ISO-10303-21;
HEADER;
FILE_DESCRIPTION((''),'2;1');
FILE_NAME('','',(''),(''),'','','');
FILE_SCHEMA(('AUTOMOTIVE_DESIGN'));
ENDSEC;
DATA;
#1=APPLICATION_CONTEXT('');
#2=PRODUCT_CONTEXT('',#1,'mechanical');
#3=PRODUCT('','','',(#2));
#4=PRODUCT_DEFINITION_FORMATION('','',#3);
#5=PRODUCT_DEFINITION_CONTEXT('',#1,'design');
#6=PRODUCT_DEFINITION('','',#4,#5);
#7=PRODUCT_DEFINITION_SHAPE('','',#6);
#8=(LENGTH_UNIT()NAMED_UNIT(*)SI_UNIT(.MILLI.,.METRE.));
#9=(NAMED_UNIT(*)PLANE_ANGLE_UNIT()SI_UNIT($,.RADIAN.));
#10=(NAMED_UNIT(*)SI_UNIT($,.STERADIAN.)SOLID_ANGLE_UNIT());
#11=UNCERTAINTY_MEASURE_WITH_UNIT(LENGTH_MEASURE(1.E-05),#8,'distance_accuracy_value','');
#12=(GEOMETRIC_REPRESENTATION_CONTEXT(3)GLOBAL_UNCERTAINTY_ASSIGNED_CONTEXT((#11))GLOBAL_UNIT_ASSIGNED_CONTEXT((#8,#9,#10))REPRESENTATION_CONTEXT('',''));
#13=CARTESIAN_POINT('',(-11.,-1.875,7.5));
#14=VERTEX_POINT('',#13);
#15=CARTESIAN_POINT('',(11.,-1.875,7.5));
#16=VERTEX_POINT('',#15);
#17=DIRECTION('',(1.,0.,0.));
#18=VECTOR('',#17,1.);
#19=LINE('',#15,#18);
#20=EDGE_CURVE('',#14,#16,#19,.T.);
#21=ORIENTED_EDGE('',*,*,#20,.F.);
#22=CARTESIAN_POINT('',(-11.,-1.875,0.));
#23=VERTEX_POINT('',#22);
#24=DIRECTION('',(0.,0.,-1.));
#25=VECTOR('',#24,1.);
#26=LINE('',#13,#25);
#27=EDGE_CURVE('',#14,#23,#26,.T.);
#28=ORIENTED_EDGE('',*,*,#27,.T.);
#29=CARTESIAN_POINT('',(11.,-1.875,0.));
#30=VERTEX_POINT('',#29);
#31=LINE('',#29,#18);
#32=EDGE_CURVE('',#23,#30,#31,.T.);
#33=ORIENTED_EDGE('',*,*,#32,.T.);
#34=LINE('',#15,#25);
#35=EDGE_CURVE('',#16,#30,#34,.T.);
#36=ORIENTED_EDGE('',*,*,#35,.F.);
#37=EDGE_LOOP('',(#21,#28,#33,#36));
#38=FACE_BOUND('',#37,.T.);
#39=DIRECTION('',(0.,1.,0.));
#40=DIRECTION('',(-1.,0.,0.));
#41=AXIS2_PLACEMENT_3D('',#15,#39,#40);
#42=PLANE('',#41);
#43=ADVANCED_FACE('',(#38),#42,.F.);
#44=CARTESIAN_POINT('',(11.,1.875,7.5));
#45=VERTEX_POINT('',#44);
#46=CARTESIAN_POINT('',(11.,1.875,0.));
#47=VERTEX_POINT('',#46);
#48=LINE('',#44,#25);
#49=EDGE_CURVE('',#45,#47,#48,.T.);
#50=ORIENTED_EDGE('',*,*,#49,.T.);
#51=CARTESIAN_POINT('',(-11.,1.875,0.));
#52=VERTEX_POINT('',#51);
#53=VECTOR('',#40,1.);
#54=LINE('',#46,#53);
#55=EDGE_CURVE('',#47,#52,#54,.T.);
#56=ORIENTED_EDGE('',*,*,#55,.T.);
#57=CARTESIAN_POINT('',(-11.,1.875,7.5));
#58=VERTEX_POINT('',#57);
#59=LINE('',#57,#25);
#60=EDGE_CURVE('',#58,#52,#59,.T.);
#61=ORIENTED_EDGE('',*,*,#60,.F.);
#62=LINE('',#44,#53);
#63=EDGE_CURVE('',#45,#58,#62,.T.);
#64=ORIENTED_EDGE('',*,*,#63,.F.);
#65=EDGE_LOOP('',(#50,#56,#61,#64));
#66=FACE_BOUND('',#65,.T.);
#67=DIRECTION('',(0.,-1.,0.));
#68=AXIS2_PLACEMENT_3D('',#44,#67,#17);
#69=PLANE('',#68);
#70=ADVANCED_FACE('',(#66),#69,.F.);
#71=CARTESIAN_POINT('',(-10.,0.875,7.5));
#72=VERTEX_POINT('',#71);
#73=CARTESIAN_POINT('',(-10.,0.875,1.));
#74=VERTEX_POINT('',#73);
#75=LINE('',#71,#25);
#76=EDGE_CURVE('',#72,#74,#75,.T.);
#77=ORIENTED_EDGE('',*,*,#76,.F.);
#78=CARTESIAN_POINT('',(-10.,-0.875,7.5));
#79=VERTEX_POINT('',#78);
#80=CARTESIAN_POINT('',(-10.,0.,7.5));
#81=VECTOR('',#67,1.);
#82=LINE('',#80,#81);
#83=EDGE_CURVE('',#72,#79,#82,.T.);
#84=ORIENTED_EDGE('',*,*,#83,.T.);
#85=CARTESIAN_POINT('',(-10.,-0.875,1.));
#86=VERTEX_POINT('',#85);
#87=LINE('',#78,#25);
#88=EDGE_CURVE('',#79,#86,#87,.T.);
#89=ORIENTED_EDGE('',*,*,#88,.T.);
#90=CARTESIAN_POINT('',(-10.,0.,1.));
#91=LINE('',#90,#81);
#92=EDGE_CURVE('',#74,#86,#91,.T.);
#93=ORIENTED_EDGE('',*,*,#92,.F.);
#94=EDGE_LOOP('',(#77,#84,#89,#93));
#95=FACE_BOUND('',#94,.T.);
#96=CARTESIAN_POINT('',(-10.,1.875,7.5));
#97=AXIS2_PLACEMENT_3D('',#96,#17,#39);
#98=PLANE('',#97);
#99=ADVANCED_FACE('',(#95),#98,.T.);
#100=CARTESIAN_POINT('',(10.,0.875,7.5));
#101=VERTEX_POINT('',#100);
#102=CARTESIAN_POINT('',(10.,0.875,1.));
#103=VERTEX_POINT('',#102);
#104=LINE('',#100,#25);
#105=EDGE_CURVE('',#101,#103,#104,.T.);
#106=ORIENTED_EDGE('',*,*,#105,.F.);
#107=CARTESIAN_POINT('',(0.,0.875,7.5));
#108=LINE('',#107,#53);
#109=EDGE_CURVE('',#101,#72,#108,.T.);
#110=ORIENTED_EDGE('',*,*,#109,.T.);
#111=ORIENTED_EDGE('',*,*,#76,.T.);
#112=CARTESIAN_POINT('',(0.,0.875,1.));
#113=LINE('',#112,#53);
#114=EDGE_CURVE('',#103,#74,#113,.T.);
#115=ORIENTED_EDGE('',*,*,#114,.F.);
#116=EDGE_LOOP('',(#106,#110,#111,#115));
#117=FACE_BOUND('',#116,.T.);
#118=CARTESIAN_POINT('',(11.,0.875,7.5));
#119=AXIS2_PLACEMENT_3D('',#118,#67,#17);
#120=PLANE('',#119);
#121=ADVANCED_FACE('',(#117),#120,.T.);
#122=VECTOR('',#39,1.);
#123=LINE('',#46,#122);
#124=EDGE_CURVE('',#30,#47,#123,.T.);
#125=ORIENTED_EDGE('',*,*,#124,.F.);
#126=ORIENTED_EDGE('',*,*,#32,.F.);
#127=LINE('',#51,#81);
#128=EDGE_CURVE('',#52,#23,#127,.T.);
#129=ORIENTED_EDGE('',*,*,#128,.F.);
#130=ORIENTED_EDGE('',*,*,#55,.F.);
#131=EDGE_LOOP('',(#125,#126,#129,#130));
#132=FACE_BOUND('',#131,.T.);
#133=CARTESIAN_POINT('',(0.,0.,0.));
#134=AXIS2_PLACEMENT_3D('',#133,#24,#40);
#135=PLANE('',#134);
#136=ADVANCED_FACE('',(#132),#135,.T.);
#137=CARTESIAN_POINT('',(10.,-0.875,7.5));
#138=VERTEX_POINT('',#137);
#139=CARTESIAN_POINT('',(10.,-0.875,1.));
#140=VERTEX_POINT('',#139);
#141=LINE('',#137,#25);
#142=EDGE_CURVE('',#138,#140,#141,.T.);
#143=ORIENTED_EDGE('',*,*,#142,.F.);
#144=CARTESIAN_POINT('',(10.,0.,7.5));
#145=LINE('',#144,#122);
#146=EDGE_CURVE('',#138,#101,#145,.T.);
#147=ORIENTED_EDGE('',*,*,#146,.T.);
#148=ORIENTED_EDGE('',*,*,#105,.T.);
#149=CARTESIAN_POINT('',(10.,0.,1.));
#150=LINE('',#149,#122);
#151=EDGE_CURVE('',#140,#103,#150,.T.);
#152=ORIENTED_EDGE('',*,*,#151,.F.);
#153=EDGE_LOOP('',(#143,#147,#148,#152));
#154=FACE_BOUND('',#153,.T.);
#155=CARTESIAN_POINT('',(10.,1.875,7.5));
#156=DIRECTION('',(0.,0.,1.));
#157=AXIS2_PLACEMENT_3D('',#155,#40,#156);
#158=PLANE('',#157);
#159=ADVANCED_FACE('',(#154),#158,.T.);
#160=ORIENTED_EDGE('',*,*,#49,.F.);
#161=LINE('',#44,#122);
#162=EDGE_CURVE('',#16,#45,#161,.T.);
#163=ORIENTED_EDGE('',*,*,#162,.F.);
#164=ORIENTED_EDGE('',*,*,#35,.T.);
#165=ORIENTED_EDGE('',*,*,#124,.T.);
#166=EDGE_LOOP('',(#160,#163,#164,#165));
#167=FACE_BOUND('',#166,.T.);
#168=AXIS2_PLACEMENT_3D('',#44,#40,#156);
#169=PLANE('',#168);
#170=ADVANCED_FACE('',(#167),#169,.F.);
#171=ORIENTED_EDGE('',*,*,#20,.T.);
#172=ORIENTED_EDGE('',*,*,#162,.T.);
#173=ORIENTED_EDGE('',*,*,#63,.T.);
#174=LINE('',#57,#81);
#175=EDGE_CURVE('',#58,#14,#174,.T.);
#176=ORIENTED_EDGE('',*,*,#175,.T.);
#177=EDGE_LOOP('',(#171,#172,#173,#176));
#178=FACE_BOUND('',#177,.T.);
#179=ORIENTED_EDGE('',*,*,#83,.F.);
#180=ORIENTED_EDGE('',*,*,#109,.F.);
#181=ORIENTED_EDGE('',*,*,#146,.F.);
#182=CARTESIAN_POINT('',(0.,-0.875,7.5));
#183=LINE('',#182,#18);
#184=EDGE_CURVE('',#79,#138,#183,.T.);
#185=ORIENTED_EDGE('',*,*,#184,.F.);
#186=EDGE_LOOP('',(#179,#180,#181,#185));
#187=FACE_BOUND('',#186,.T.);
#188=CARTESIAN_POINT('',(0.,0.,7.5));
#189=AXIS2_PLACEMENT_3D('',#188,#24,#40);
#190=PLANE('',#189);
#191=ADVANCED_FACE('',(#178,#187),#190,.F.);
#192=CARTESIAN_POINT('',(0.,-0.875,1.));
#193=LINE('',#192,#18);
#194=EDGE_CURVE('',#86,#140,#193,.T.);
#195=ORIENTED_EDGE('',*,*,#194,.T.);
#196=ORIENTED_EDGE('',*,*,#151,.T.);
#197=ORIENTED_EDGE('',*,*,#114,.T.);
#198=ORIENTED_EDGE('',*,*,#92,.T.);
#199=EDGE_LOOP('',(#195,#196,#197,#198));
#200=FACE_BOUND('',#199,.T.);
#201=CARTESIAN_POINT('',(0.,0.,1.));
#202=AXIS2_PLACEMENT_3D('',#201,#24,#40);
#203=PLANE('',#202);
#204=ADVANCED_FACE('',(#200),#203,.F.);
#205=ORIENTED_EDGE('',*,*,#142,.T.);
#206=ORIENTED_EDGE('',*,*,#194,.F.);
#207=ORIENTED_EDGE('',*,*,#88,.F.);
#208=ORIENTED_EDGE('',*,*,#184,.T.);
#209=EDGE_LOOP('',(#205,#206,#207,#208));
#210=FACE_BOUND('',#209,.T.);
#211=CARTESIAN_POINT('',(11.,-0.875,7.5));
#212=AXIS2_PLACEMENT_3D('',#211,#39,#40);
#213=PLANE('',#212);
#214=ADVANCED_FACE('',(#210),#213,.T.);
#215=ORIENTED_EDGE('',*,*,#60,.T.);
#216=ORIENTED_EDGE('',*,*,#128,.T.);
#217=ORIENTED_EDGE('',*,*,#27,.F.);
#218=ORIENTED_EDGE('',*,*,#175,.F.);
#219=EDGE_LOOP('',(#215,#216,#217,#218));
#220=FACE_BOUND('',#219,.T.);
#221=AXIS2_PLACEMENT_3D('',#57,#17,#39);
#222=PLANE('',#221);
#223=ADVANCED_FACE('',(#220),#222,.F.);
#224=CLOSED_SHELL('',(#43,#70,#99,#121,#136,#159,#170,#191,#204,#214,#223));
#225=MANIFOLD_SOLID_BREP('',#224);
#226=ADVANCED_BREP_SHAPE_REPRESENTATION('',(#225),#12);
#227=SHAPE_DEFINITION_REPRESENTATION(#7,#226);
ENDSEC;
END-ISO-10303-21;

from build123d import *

# Parameters (mm, degrees)
SKETCH1_W           = 22
SKETCH1_H           = 3.75
BOSS_EXTRUDE1_DEPTH = 7.5
SHELL1_T            = -1


with BuildPart() as part:
    # Sketch1 → Boss-Extrude1 (new body)
    with BuildSketch(Plane.XY):
        Rectangle(SKETCH1_W, SKETCH1_H)
    extrude(amount=BOSS_EXTRUDE1_DEPTH)

    # Shell1
    shell1_openings = [part.faces().sort_by_distance(p)[0] for p in [
        (0, 0, 7.5),
    ]]
    offset(amount=SHELL1_T, openings=shell1_openings, kind=Kind.INTERSECTION)


solid = part.part
